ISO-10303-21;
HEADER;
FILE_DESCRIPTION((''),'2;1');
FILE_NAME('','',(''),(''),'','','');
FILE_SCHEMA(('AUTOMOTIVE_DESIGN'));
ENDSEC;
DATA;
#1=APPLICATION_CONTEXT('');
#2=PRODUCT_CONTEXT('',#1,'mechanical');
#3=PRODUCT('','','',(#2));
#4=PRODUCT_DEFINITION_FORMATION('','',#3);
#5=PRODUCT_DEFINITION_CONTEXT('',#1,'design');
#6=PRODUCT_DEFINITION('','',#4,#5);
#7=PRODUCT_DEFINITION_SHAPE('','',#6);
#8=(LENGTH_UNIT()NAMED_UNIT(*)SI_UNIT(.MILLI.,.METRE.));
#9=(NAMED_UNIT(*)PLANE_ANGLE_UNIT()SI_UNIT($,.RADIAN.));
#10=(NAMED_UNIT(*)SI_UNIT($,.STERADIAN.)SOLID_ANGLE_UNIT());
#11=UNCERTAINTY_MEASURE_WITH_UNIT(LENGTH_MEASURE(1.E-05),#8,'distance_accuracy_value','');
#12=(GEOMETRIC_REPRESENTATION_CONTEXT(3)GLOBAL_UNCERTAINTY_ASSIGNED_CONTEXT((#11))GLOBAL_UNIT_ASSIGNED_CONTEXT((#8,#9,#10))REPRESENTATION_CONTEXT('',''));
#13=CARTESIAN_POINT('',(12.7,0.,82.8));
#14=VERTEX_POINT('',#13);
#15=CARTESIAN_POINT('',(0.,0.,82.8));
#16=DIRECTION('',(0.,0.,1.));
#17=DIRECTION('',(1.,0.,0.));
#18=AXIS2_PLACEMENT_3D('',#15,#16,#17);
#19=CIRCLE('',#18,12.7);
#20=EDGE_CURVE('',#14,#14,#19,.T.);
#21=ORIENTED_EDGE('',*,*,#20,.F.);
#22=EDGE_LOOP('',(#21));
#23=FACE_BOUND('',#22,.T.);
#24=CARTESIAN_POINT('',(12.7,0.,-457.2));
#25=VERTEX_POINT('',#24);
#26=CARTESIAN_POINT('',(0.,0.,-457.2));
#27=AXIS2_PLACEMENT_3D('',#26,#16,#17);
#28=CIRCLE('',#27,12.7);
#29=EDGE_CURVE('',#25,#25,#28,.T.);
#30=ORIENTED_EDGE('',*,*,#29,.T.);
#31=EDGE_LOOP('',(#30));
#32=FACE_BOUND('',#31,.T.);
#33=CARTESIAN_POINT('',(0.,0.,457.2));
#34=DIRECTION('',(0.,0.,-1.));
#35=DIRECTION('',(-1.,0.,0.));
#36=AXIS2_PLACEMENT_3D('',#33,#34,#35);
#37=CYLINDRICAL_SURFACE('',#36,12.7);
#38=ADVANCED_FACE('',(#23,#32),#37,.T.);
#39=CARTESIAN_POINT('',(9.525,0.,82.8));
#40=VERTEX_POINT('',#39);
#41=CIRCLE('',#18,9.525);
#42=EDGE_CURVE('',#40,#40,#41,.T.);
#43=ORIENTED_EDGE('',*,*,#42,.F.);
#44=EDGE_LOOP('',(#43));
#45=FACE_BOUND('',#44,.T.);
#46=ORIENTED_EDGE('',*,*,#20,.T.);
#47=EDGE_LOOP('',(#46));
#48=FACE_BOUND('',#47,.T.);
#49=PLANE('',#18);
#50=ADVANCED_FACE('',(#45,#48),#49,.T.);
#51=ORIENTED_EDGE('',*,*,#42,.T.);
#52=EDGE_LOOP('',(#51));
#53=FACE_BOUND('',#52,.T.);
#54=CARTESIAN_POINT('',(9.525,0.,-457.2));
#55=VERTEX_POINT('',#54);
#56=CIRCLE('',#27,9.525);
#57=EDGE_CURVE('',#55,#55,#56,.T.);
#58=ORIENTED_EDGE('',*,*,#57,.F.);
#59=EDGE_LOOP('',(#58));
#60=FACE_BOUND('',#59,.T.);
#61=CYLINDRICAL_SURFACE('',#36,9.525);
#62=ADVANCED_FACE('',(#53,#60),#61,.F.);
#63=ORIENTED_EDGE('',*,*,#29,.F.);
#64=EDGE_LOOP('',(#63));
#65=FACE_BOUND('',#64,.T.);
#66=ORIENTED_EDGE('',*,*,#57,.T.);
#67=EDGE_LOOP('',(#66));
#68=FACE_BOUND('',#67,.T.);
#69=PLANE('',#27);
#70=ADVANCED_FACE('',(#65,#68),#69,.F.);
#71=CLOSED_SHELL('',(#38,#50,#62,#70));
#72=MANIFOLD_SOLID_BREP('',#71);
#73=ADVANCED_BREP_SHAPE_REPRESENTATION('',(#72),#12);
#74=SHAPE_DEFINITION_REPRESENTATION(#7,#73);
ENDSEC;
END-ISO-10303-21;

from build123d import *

# Parameters (mm, degrees)
SKETCH3_R                = 12.7
SKETCH3_R_2              = 9.525
BOSS_EXTRUDE1_DEPTH      = 457.2
BOSS_EXTRUDE1_DEPTH_BACK = 457.2
SKETCH5_R                = 12.7
CUT_EXTRUDE1_DEPTH       = 374.399999992


with BuildPart() as part:
    # Sketch3 → Boss-Extrude1 (new body, two sides)
    with BuildSketch(Plane.XY) as boss_extrude1_sk:
        Circle(SKETCH3_R)
        Circle(SKETCH3_R_2, mode=Mode.SUBTRACT)
    extrude(amount=BOSS_EXTRUDE1_DEPTH)
    extrude(boss_extrude1_sk.sketch, amount=-BOSS_EXTRUDE1_DEPTH_BACK)

    # Sketch5 → Cut-Extrude1 (cut)
    with BuildSketch(Plane.XY.offset(457.2)):
        Circle(SKETCH5_R)
    extrude(amount=-CUT_EXTRUDE1_DEPTH, mode=Mode.SUBTRACT)


solid = part.part
